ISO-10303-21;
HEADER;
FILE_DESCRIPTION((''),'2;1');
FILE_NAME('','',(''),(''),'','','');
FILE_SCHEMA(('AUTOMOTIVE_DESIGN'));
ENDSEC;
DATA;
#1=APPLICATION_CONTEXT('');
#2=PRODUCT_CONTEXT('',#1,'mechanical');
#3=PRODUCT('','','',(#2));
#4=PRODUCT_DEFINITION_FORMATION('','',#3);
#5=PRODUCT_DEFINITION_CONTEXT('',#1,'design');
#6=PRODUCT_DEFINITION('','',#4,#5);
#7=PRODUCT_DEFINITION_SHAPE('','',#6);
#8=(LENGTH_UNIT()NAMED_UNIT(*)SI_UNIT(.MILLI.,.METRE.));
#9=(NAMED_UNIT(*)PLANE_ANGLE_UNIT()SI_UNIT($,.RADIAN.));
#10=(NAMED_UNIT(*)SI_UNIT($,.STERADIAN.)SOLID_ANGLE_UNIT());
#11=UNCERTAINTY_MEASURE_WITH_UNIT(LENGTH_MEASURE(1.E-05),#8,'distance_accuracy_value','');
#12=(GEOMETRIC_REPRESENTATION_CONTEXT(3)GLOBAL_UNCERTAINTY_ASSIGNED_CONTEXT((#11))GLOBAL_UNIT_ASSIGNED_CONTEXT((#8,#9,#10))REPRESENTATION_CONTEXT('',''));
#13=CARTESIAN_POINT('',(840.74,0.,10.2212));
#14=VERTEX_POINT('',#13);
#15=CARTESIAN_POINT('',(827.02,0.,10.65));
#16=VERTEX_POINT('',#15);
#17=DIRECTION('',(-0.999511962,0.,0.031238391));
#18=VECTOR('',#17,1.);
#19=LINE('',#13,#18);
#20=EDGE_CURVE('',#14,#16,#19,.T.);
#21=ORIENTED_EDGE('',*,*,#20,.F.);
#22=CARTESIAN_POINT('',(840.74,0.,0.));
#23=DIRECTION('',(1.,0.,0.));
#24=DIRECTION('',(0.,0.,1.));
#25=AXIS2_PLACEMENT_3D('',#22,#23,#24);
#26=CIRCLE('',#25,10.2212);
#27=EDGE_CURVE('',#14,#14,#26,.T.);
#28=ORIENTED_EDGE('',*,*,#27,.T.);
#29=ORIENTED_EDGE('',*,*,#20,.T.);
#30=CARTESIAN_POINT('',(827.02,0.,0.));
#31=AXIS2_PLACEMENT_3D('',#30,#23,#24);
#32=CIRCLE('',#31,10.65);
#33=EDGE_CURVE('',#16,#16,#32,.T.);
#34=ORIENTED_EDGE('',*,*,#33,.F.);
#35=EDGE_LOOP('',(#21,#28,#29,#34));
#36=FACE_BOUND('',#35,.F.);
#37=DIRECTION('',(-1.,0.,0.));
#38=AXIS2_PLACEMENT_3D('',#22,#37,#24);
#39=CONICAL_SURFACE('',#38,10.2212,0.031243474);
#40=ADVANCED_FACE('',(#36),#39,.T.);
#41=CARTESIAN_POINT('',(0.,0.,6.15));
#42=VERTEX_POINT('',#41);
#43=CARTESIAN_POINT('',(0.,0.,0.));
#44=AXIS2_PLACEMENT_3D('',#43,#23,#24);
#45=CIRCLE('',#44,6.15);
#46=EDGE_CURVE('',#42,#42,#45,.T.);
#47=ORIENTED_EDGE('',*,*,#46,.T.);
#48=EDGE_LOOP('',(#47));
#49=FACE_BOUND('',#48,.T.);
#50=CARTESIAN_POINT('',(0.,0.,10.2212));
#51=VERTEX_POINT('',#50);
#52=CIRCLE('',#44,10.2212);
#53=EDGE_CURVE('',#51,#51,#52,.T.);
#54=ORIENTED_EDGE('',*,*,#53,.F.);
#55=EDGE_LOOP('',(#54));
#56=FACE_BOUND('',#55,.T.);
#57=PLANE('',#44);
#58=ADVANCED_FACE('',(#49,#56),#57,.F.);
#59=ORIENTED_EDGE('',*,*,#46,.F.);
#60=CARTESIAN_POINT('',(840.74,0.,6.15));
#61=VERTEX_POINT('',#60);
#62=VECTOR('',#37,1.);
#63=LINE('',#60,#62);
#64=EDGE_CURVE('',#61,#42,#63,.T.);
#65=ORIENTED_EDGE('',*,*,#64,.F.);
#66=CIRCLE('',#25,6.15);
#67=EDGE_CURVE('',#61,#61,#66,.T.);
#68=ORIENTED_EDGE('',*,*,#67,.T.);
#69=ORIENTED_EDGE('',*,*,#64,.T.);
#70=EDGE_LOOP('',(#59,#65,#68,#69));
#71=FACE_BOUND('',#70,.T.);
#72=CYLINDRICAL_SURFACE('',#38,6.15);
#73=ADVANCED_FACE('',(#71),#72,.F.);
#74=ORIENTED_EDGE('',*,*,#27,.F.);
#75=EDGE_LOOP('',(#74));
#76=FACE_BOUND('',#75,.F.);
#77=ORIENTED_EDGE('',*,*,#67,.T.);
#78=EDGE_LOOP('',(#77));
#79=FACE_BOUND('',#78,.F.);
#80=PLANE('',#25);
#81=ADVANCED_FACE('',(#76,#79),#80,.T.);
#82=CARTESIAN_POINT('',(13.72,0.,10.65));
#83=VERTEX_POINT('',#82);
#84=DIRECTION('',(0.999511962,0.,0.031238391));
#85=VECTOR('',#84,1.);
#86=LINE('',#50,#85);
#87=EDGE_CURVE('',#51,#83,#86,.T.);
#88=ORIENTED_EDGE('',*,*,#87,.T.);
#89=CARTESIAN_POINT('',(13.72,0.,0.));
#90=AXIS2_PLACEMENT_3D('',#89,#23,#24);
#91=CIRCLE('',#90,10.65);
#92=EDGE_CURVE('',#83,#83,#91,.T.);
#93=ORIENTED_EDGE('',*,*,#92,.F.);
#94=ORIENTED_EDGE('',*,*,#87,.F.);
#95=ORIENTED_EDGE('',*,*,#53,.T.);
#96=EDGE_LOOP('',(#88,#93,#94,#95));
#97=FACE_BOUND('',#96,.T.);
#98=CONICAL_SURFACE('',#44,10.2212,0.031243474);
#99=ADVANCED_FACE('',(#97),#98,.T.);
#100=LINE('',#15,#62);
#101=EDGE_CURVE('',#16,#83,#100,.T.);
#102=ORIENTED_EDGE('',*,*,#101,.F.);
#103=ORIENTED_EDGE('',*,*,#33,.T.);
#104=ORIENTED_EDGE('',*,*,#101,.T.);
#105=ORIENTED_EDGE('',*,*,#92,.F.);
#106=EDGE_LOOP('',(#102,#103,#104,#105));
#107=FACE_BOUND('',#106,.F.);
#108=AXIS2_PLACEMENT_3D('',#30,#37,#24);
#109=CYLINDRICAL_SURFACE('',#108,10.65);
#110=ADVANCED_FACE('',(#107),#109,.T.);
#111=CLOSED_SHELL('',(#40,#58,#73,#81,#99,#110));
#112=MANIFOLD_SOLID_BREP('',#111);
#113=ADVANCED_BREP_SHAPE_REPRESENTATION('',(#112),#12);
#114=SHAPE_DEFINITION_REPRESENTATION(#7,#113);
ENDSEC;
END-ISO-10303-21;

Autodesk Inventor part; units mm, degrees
ref_plane "YZ Plane" through (0, 0, 0) normal (1, 0, 0) x (0, 1, 0)
ref_plane "XZ Plane" through (0, 0, 0) normal (0, 1, 0) x (-1, 0, 0)
ref_plane "XY Plane" through (0, 0, 0) normal (0, 0, 1) x (1, 0, 0)
sketch "Sketch1" plane through (0, 0, 0) normal (0, 1, 0) x (-1, 0, 0)
  line L0 (0, 0) -> (-840.74, 0)
  line L1 (-840.74, 6.15) -> (-840.74, 10.2212)
  line L2 (-840.74, 10.2212) -> (-827.02, 10.65)
  line L3 (-827.02, 10.65) -> (-13.72, 10.65)
  line L4 (-420.37, 0) -> (-420.37, 10.65) construction
  line L5 (-832.54, 0) -> (-832.54, 10.4775) construction
  line L6 (0, 6.15) -> (0, 10.2212)
  line L7 (0, 10.2212) -> (-13.72, 10.65)
  line L8 (-8.2, 0) -> (-8.2, 10.4775) construction
  line L9 (-840.74, 6.15) -> (0, 6.15)
  line L10 (-840.74, 6.15) -> (-840.74, 0) construction
  line L11 (0, 6.15) -> (0, 0) construction
  line L12 (-13.72, 10.65) -> (-13.72, 0) construction
  line L13 (-827.02, 10.65) -> (-827.02, 0) construction
  dimension "d0" = 20.955
  dimension "d1" = 21.3
  dimension "d2" = 1.79
  dimension "d3" = 840.74
  dimension "d4" = 8.2
  dimension "d5" = 4.5
revolve "Revolution1" add sketch "Sketch1" angle 360 about axis through (0, 0, 0) along (1, 0, 0)
thread "Thread1" size "R 1/2" standard "DIN Pipe Taper" full length
thread "Thread2" size "R 1/2" standard "DIN Pipe Taper" full length
equation "\"d0\" = MjD"
equation "\"d1\" = OD"
equation "\"d3\" = L"
equation "\"d4\" = a"
equation "\"d5\" = t"
equation "\"OD\" = 21.3"
equation "\"t\" = 4.5"
equation "\"L\" = PL"
equation "\"ID\" = 12.3"
equation "\"PL\" = 840.74"
equation "\"a\" = 8.2"
equation "\"MjD\" = 20.955"
equation "\"Size_Designation\" = 1.2345"
equation "\"PLmin\" = 2 * a - 32 * MjD + 32 * OD + t"
properties material "Steel"
